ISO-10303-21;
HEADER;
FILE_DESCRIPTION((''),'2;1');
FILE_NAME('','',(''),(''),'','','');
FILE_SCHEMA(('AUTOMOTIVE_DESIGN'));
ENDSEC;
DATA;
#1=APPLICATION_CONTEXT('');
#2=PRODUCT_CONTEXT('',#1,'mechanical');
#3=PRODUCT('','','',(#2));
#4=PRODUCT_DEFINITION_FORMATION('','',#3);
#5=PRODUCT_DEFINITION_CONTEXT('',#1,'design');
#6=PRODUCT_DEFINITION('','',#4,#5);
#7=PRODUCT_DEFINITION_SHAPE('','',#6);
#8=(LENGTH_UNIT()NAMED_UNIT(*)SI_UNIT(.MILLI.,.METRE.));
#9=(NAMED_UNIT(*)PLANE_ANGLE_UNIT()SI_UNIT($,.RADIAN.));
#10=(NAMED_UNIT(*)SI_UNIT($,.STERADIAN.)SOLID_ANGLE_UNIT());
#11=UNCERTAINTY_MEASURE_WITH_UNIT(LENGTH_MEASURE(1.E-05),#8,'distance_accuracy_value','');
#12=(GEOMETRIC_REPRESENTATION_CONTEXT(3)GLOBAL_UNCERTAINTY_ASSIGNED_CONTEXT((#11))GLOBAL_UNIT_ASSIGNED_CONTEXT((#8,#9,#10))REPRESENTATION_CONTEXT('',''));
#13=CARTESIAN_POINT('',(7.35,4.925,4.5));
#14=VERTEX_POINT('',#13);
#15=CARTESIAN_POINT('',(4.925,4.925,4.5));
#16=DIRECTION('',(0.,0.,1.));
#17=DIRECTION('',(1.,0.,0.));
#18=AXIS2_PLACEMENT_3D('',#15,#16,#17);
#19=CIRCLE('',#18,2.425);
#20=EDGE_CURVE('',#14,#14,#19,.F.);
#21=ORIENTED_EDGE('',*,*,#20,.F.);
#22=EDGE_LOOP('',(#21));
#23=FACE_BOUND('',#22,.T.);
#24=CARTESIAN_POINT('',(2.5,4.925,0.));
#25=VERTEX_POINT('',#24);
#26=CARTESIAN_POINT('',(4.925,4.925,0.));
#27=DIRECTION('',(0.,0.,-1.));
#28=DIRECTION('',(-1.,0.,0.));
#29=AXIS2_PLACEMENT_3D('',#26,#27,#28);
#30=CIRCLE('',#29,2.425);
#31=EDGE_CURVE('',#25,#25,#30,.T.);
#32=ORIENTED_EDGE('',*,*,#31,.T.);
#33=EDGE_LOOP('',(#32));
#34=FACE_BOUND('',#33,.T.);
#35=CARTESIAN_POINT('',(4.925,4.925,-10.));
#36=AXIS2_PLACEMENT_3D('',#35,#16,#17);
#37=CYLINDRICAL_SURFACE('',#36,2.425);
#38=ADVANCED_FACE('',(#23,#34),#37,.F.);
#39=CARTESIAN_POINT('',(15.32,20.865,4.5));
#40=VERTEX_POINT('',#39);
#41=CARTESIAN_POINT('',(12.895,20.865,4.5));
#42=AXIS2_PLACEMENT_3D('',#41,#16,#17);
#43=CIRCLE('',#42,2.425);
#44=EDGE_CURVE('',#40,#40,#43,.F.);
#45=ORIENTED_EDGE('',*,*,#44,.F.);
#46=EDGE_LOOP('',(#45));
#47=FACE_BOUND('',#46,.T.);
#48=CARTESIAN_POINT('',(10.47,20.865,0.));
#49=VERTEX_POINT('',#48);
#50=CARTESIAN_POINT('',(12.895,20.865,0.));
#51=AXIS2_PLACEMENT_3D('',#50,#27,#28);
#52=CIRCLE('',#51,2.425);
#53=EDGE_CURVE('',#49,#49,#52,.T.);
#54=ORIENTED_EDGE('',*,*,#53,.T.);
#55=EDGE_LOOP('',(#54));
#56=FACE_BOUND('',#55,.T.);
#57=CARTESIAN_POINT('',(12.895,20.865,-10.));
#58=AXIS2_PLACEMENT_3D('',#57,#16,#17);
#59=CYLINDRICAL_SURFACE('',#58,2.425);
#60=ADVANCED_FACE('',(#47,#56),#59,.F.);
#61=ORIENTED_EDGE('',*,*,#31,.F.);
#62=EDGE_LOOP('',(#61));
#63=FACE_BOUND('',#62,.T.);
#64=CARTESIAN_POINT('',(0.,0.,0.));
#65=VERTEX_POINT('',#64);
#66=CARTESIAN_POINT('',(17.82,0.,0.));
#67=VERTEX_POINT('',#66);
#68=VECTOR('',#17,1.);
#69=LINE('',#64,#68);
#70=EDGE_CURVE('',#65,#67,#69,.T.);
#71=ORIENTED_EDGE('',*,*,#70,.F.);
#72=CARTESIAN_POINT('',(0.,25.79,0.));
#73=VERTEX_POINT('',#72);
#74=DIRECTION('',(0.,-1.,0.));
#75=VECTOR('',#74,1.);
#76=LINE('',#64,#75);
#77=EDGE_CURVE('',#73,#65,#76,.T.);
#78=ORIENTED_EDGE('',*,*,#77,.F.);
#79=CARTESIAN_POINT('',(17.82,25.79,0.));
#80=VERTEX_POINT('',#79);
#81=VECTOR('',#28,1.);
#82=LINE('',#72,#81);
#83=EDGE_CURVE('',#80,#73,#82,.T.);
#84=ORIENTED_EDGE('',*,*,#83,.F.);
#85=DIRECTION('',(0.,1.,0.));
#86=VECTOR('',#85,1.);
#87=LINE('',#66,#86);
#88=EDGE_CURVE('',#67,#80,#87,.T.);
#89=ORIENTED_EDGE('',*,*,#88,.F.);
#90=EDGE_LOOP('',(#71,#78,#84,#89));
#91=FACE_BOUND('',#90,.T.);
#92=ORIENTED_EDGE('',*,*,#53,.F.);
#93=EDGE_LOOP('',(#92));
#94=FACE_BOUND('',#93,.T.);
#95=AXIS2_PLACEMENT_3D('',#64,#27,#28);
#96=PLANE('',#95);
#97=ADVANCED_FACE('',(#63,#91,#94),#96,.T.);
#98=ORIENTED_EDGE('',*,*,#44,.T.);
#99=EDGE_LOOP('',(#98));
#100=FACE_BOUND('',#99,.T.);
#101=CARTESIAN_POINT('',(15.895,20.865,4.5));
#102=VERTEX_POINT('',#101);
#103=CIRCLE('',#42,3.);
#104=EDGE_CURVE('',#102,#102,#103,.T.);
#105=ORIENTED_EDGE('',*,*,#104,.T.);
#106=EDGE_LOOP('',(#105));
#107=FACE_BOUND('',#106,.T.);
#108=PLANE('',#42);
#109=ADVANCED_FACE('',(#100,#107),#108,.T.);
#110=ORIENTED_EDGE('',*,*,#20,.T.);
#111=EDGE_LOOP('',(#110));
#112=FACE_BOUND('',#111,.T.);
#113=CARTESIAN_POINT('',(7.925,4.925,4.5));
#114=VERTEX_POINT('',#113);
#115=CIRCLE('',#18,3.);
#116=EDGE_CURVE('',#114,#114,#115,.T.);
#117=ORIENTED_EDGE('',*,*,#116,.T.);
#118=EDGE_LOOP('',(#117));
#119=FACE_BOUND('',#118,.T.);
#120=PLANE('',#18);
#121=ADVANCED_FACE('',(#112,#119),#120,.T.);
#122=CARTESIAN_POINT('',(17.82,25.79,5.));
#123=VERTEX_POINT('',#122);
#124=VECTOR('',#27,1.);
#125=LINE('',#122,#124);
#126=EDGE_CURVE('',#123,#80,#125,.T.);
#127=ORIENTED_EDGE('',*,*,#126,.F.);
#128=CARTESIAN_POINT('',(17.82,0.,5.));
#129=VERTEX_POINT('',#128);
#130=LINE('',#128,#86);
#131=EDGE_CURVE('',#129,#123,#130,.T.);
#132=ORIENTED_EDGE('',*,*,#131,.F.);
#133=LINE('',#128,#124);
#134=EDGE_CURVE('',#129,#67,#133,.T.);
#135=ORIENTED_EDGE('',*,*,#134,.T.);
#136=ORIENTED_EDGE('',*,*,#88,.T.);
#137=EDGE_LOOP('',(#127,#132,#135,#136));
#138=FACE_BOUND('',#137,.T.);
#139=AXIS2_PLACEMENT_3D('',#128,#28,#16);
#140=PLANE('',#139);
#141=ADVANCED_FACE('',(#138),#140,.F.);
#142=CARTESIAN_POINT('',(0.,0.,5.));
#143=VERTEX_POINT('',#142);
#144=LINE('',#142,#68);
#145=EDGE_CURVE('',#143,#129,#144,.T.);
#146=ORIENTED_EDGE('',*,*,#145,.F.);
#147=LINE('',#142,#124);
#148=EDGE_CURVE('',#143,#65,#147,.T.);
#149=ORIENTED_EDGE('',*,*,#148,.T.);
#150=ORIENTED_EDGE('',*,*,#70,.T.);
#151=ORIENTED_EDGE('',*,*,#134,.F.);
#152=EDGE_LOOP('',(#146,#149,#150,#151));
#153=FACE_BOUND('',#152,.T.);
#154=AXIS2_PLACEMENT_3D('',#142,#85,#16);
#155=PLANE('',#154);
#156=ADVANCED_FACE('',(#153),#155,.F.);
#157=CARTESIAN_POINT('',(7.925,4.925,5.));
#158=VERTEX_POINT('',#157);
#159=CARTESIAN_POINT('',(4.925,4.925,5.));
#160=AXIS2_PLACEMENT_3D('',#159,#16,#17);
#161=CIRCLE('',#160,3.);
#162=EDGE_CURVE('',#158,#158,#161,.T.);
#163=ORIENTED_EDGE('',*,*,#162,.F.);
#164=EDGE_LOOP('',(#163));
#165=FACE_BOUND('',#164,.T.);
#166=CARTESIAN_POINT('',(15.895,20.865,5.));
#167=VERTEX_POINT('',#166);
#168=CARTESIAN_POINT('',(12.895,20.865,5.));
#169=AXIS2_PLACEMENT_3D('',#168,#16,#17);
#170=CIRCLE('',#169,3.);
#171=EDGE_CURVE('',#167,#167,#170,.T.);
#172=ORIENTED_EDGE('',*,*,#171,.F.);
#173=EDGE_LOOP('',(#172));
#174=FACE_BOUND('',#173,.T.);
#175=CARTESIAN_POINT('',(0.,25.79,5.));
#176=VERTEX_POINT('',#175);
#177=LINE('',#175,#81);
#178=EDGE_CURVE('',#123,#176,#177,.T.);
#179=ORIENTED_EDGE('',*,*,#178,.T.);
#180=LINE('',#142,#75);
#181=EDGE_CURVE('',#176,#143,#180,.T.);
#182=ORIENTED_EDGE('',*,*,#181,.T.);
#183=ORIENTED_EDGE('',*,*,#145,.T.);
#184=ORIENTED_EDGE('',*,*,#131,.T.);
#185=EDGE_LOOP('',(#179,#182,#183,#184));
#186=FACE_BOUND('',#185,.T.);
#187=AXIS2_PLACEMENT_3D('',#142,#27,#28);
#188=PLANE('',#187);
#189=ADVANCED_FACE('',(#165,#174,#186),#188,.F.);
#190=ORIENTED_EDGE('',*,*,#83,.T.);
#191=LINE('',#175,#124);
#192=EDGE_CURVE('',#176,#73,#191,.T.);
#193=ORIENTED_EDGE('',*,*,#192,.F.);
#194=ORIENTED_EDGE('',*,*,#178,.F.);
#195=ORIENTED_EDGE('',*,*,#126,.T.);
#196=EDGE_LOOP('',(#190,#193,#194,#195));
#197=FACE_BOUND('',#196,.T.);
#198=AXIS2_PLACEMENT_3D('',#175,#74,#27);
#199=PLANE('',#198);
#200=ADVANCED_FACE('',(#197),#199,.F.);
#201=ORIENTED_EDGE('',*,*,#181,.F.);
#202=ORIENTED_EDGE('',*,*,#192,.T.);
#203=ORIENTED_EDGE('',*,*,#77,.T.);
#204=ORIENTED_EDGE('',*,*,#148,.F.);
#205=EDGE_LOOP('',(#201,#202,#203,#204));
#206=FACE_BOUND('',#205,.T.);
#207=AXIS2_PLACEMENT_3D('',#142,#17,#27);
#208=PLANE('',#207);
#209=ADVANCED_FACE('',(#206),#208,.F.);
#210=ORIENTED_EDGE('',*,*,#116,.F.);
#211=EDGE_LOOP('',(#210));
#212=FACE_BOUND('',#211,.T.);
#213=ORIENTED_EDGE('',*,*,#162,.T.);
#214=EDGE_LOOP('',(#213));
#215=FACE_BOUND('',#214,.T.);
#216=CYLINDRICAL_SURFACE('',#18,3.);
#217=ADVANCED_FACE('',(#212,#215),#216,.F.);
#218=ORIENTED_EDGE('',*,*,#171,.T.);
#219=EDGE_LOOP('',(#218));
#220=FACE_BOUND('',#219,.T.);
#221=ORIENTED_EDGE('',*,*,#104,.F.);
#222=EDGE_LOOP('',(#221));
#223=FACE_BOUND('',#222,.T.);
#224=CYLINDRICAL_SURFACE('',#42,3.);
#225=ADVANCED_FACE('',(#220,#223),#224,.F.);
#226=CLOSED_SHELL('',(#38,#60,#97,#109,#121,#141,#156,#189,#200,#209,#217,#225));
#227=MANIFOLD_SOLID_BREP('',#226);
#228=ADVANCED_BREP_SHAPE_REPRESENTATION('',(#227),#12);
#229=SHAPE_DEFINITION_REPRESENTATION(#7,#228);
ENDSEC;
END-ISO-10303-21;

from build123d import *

# Parameters (mm, degrees)
SKETCH1_W           = 17.82
SKETCH1_H           = 25.79
BOSS_EXTRUDE2_DEPTH = 5
SKETCH2_R           = 2.425
CUT_EXTRUDE1_DEPTH  = 15
SKETCH3_R           = 3
CUT_EXTRUDE2_DEPTH  = 0.5


with BuildPart() as part:
    # Sketch1 → Boss-Extrude2 (new body)
    with BuildSketch(Plane.XY):
        with Locations((8.91, 12.895)):
            Rectangle(SKETCH1_W, SKETCH1_H)
    extrude(amount=BOSS_EXTRUDE2_DEPTH)

    # Sketch2 → Cut-Extrude1 (cut)
    with BuildSketch(Plane.XY.offset(5)):
        with Locations((4.925, 4.925)):
            Circle(SKETCH2_R)
        with Locations((12.895, 20.865)):
            Circle(SKETCH2_R)
    extrude(amount=-CUT_EXTRUDE1_DEPTH, mode=Mode.SUBTRACT)

    # Sketch3 → Cut-Extrude2 (cut)
    with BuildSketch(Plane.XY.offset(5)):
        with Locations((4.925, 4.925)):
            Circle(SKETCH3_R)
        with Locations((12.895, 20.865)):
            Circle(SKETCH3_R)
    extrude(amount=-CUT_EXTRUDE2_DEPTH, mode=Mode.SUBTRACT)


solid = part.part
